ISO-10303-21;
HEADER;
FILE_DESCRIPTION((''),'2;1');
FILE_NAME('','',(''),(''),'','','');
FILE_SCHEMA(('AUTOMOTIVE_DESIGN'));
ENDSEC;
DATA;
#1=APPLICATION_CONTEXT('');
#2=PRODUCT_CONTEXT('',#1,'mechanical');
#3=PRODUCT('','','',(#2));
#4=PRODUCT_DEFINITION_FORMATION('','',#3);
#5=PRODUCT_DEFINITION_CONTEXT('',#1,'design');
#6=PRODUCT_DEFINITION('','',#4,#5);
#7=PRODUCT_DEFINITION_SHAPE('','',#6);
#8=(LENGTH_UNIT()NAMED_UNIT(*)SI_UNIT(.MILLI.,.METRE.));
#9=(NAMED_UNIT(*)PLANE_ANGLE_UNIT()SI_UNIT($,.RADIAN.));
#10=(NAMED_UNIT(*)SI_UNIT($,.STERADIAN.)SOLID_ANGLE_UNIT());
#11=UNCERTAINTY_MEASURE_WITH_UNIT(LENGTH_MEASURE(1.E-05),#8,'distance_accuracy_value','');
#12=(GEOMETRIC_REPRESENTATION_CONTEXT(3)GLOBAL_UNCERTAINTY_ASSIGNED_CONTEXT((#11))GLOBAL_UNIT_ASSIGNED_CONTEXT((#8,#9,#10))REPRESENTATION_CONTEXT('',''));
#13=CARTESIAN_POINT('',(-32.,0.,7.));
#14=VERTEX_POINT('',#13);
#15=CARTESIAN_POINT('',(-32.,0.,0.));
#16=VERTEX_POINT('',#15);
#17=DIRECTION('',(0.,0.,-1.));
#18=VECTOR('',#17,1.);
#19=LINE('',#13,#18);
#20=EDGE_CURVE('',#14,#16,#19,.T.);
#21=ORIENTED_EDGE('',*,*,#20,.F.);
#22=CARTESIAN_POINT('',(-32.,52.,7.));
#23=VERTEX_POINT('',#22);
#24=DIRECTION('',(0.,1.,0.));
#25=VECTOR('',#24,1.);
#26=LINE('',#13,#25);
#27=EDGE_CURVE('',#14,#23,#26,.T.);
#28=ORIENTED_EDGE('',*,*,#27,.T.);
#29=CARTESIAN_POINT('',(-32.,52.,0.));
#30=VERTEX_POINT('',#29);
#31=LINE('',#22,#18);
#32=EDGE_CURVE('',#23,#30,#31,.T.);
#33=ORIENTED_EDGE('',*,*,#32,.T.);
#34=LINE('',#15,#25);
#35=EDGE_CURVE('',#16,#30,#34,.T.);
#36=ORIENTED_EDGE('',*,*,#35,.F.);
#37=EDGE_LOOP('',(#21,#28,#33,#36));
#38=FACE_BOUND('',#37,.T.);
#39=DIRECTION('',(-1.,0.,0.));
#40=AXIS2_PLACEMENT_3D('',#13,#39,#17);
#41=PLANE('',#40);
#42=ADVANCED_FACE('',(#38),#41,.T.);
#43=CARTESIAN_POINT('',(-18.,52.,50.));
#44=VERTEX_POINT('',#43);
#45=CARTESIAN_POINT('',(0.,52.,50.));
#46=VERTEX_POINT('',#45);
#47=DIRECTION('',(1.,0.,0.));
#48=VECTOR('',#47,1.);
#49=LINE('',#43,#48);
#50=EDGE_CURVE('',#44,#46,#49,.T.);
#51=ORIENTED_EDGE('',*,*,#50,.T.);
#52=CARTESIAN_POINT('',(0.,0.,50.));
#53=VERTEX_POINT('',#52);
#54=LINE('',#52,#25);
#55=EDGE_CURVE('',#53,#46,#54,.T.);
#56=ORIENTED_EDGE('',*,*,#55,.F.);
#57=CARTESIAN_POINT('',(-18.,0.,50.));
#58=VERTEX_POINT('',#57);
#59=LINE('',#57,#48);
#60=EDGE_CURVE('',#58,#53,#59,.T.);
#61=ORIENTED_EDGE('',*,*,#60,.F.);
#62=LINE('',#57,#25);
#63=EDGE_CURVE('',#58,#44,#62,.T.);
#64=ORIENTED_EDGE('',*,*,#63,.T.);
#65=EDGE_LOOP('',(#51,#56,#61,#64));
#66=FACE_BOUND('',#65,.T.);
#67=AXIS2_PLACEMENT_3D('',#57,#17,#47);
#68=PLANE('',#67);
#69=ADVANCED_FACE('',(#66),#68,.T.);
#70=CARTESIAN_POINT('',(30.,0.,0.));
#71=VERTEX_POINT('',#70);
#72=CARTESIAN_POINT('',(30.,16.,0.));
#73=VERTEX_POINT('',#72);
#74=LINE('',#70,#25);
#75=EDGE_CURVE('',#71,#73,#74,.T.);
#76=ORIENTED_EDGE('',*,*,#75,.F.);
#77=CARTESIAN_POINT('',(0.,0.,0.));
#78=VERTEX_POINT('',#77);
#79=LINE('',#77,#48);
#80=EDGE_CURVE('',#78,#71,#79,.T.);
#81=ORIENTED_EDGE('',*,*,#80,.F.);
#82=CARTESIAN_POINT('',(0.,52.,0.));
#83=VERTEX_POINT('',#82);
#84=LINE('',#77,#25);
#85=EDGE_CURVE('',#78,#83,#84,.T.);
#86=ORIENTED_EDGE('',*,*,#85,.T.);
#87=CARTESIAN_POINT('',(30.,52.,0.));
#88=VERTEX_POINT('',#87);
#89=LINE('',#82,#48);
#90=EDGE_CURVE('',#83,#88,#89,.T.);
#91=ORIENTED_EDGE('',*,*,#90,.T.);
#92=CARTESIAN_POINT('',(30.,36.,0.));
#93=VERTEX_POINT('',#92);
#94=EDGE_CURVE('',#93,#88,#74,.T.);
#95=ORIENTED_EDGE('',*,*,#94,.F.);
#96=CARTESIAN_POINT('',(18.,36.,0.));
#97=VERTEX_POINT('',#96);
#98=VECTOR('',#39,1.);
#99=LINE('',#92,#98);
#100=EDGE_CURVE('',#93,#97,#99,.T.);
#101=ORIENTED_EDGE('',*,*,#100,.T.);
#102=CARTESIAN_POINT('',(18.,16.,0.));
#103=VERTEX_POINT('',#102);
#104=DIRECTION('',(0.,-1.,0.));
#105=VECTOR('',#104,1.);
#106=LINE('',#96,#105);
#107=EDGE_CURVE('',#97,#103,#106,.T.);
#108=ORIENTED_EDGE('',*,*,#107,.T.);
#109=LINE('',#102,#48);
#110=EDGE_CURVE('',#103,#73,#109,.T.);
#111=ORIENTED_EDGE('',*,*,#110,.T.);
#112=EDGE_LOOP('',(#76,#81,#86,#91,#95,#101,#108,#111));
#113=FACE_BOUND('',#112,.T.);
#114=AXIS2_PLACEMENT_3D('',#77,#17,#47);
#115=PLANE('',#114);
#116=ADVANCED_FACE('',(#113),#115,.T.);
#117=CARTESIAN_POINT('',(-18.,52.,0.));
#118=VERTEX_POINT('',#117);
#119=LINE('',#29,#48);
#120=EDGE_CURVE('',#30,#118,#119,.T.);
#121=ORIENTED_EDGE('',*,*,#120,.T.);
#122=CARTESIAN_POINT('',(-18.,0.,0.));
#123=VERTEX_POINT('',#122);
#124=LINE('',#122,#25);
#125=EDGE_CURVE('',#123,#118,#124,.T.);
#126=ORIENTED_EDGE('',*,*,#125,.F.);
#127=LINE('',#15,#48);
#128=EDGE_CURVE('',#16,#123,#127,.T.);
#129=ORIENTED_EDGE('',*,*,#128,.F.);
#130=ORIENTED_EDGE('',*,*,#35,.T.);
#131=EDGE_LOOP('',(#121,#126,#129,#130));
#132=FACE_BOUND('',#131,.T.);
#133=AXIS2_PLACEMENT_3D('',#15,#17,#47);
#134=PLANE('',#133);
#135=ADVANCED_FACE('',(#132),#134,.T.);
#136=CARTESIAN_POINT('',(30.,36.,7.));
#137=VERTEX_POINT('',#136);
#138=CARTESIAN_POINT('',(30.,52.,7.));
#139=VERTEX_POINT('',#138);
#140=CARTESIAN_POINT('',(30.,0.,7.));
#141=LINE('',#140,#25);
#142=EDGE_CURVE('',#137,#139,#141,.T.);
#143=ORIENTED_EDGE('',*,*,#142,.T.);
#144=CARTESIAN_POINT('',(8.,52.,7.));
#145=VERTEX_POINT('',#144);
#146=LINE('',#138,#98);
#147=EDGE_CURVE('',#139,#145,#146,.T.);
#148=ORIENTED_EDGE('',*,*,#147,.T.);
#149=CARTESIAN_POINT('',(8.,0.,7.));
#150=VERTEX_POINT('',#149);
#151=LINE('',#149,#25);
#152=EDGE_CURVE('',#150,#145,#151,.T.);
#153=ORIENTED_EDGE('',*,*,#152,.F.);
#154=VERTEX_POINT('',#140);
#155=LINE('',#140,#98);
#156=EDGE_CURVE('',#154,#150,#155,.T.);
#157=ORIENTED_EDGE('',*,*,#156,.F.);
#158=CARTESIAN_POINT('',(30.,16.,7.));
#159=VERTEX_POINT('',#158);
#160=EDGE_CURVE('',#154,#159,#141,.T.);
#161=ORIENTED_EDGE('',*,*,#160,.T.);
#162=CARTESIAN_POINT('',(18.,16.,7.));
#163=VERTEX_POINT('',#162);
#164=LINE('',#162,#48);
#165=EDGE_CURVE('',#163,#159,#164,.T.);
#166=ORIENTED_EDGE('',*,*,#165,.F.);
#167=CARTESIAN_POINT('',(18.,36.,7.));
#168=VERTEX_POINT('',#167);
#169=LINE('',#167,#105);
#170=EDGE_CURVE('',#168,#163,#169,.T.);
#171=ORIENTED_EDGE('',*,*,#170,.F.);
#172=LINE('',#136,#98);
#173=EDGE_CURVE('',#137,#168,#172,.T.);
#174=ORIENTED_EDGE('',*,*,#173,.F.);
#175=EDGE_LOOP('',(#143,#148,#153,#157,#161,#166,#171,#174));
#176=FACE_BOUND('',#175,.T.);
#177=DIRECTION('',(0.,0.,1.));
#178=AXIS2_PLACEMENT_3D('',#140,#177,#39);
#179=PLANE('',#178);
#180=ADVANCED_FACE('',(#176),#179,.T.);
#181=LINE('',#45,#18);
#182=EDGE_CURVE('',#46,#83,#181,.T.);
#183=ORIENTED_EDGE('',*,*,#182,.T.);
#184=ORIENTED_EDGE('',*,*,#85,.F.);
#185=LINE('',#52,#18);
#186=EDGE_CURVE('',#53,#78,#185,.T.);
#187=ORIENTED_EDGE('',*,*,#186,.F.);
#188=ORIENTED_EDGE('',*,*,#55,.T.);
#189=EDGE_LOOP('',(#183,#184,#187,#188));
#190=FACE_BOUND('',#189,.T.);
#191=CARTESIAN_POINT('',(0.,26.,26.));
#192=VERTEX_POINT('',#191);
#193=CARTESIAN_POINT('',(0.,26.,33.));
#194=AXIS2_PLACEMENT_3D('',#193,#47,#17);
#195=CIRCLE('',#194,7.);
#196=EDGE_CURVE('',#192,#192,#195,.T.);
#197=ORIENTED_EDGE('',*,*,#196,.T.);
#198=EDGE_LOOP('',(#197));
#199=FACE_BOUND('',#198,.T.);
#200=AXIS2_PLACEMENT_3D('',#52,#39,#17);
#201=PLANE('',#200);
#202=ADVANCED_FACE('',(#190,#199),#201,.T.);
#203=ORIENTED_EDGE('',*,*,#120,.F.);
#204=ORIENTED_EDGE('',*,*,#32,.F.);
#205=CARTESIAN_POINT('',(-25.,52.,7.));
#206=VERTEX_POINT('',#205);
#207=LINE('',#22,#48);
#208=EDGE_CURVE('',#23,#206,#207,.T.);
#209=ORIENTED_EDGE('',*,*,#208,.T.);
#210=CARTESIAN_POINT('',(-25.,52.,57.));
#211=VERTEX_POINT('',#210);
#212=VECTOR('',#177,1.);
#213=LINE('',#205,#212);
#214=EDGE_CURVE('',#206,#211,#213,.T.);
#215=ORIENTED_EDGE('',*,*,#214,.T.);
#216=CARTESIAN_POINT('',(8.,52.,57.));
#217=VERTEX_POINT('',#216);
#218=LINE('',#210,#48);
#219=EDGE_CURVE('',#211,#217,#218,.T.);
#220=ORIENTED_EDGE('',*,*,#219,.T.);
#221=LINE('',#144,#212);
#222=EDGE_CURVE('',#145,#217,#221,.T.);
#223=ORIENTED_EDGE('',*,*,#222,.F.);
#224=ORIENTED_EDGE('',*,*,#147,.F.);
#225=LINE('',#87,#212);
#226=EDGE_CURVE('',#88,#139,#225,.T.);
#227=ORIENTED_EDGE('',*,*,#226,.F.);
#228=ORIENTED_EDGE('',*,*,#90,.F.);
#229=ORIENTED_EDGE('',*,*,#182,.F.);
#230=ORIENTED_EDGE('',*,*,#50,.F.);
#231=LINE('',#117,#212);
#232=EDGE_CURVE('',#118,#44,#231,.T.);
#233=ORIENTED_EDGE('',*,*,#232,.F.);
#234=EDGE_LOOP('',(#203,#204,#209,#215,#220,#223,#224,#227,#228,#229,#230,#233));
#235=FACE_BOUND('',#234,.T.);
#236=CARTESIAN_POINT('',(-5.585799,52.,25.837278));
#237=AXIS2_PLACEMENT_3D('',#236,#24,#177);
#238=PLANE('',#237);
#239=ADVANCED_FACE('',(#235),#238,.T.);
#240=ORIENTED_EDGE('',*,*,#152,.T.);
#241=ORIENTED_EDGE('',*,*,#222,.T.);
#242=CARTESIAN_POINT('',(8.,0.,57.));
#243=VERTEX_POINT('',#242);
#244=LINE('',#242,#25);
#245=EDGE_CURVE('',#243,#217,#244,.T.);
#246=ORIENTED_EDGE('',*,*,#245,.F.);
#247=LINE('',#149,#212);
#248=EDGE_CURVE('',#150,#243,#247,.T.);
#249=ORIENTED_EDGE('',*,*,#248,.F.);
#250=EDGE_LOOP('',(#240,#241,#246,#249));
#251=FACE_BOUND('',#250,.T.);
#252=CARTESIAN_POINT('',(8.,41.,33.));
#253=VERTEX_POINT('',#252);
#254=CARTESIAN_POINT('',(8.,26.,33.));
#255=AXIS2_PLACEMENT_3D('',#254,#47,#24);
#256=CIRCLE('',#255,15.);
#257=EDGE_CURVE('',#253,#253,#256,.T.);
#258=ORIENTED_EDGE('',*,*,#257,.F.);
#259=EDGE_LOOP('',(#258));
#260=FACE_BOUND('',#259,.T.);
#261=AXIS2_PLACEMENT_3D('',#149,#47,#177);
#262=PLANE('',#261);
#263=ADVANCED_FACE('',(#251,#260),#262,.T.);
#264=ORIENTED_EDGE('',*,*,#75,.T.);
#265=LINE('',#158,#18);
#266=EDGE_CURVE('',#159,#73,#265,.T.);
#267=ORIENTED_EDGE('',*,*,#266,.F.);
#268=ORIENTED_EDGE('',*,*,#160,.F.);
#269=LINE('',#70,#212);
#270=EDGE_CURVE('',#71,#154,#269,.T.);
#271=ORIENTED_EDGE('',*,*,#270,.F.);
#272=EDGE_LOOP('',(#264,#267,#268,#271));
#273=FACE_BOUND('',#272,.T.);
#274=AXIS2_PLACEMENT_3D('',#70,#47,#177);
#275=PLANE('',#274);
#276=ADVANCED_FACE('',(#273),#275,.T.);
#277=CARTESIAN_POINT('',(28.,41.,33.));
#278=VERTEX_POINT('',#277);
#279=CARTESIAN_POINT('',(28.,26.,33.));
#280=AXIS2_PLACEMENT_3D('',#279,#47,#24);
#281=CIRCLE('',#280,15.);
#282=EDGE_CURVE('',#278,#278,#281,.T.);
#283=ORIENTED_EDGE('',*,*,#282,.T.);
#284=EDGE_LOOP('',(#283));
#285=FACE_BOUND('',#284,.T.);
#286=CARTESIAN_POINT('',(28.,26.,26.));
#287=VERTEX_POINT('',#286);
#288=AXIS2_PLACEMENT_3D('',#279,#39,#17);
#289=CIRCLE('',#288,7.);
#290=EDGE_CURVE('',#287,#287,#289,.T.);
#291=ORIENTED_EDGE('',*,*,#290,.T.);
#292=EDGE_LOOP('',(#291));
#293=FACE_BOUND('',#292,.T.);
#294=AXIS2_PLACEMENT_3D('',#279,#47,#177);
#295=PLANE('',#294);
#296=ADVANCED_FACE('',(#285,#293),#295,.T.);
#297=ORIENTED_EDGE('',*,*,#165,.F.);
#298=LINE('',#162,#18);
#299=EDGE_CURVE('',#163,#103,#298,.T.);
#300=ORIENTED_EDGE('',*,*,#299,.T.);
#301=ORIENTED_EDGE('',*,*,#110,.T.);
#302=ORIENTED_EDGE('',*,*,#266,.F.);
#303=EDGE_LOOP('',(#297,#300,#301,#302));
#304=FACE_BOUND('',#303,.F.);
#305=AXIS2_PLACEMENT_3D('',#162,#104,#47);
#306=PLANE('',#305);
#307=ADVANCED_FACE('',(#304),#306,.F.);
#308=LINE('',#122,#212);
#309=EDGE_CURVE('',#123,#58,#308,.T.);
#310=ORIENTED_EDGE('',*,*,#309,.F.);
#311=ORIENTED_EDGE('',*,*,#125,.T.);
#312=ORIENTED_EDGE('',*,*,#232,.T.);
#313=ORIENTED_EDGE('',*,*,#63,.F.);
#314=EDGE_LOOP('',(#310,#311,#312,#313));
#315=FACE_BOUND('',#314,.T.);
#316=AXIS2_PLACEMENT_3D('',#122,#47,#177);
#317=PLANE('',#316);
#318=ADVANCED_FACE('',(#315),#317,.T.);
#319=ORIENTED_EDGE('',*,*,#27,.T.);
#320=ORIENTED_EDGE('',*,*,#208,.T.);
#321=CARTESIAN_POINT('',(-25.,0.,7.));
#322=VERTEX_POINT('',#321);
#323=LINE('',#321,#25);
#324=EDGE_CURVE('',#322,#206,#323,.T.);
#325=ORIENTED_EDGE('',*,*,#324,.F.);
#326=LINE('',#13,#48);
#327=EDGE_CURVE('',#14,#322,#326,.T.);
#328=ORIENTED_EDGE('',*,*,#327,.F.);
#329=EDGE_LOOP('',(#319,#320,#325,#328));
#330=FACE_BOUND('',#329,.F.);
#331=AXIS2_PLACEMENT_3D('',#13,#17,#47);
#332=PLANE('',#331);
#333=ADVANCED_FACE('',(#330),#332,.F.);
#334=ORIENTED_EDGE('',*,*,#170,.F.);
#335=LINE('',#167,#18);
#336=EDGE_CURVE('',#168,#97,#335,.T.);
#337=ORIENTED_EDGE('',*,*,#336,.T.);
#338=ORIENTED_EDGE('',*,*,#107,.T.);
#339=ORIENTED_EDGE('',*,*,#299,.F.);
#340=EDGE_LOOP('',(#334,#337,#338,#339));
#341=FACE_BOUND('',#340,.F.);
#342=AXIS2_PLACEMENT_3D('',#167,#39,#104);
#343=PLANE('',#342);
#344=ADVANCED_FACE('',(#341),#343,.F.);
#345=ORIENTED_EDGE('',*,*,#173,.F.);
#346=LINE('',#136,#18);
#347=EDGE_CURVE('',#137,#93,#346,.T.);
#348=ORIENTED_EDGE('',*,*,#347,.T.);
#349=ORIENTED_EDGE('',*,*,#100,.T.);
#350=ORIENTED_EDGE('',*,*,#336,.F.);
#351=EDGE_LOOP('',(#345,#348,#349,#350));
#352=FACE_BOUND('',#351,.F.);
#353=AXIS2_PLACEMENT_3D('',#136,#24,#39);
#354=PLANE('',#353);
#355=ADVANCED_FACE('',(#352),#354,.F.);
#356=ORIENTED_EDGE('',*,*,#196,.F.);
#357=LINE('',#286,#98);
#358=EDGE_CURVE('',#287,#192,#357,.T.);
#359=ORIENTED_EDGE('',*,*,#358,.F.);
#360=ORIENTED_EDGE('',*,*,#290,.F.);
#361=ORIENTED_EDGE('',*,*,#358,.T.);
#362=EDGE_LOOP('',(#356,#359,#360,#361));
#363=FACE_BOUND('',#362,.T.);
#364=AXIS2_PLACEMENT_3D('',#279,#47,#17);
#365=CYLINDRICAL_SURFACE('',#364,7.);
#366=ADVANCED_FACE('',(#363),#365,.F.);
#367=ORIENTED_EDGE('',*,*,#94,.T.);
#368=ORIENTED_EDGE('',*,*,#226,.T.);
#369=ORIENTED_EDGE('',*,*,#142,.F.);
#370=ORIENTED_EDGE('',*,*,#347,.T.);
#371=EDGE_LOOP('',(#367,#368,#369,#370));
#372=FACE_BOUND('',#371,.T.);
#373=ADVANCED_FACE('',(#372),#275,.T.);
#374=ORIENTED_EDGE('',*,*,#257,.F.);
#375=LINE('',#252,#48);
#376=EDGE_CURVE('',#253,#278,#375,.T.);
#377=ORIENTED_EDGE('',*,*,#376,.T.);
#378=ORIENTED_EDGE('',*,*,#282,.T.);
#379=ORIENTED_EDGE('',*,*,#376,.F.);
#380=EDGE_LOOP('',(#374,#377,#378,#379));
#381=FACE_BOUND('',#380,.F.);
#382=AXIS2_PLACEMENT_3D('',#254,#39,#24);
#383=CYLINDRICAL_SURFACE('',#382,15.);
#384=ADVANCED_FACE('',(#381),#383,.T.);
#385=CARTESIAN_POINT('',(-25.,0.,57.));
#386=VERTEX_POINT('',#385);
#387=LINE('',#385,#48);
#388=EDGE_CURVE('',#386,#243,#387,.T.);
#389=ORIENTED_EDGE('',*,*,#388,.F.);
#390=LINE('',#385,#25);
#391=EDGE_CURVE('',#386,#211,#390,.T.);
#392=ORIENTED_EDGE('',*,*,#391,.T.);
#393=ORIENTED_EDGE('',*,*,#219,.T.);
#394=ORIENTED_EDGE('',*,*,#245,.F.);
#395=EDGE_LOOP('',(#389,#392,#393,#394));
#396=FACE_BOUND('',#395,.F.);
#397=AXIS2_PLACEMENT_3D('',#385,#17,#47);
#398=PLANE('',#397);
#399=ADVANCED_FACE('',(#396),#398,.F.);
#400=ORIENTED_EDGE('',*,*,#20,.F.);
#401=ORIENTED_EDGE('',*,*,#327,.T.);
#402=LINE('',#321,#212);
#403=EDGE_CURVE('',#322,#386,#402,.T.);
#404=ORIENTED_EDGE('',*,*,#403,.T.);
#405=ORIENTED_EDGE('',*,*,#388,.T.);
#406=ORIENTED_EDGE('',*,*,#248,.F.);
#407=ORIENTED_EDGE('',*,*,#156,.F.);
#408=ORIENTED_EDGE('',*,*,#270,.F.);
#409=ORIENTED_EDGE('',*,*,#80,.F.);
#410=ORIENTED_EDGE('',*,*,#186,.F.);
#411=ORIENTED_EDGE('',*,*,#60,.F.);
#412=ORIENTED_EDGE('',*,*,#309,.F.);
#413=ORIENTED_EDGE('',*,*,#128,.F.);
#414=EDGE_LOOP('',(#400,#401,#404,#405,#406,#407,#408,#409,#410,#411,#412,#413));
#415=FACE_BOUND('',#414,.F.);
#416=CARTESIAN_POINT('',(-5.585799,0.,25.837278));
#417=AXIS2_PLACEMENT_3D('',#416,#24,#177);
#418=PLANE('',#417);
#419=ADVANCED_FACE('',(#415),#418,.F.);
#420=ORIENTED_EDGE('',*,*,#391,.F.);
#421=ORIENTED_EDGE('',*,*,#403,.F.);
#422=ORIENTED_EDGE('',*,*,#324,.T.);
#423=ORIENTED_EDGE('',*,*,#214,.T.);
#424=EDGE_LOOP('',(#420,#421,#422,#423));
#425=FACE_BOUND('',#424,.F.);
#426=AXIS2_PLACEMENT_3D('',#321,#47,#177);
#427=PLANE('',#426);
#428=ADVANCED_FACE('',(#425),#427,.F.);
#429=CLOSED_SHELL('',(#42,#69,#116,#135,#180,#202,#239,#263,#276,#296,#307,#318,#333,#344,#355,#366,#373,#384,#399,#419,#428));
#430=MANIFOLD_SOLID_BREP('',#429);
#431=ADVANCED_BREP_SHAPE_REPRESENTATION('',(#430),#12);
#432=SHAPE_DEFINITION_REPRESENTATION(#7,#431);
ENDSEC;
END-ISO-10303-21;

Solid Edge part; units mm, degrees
sketch "Sketch1" plane through (0, 0, 0) normal (0, -1, 0) x (1, 0, 0)
  line L0 (-25, 7) -> (-25, 57)
  line L1 (-25, 57) -> (8, 57)
  line L2 (8, 7) -> (8, 57)
  line L3 (30, 7) -> (8, 7)
  line L4 (30, 0) -> (30, 7)
  line L5 (0, 0) -> (30, 0)
  line L6 (0, 50) -> (0, 0)
  line L7 (-18, 50) -> (0, 50)
  line L8 (-18, 0) -> (-18, 50)
  line L9 (-32, 0) -> (-18, 0)
  line L10 (-32, 7) -> (-32, 0)
  line L11 (-32, 7) -> (-25, 7)
extrude "ProtrusiónExtruida_1" add sketch "Sketch1" against normal blind 52
sketch "Sketch2" plane through (19, 26, 7) normal (0, 0, 1) x (0, 1, 0)
  line L0 (-10, -11) -> (10, -11)
  line L1 (10, -11) -> (10, 1)
  line L2 (10, 1) -> (-10, 1)
  line L3 (-10, 1) -> (-10, -11)
extrude "VaciadoExtruido_1" cut sketch "Sketch2" against normal blind 7
sketch "Sketch3" plane through (8, 26, 32) normal (1, 0, 0) x (0, 1, 0)
  circle A0 centre (0, 1) radius 15
extrude "ProtrusiónExtruida_2" add sketch "Sketch3" along normal blind 20
hole "Agujero_1" at (28, 26, 33) direction (-1, 0, 0) diameter 14 end up to next
